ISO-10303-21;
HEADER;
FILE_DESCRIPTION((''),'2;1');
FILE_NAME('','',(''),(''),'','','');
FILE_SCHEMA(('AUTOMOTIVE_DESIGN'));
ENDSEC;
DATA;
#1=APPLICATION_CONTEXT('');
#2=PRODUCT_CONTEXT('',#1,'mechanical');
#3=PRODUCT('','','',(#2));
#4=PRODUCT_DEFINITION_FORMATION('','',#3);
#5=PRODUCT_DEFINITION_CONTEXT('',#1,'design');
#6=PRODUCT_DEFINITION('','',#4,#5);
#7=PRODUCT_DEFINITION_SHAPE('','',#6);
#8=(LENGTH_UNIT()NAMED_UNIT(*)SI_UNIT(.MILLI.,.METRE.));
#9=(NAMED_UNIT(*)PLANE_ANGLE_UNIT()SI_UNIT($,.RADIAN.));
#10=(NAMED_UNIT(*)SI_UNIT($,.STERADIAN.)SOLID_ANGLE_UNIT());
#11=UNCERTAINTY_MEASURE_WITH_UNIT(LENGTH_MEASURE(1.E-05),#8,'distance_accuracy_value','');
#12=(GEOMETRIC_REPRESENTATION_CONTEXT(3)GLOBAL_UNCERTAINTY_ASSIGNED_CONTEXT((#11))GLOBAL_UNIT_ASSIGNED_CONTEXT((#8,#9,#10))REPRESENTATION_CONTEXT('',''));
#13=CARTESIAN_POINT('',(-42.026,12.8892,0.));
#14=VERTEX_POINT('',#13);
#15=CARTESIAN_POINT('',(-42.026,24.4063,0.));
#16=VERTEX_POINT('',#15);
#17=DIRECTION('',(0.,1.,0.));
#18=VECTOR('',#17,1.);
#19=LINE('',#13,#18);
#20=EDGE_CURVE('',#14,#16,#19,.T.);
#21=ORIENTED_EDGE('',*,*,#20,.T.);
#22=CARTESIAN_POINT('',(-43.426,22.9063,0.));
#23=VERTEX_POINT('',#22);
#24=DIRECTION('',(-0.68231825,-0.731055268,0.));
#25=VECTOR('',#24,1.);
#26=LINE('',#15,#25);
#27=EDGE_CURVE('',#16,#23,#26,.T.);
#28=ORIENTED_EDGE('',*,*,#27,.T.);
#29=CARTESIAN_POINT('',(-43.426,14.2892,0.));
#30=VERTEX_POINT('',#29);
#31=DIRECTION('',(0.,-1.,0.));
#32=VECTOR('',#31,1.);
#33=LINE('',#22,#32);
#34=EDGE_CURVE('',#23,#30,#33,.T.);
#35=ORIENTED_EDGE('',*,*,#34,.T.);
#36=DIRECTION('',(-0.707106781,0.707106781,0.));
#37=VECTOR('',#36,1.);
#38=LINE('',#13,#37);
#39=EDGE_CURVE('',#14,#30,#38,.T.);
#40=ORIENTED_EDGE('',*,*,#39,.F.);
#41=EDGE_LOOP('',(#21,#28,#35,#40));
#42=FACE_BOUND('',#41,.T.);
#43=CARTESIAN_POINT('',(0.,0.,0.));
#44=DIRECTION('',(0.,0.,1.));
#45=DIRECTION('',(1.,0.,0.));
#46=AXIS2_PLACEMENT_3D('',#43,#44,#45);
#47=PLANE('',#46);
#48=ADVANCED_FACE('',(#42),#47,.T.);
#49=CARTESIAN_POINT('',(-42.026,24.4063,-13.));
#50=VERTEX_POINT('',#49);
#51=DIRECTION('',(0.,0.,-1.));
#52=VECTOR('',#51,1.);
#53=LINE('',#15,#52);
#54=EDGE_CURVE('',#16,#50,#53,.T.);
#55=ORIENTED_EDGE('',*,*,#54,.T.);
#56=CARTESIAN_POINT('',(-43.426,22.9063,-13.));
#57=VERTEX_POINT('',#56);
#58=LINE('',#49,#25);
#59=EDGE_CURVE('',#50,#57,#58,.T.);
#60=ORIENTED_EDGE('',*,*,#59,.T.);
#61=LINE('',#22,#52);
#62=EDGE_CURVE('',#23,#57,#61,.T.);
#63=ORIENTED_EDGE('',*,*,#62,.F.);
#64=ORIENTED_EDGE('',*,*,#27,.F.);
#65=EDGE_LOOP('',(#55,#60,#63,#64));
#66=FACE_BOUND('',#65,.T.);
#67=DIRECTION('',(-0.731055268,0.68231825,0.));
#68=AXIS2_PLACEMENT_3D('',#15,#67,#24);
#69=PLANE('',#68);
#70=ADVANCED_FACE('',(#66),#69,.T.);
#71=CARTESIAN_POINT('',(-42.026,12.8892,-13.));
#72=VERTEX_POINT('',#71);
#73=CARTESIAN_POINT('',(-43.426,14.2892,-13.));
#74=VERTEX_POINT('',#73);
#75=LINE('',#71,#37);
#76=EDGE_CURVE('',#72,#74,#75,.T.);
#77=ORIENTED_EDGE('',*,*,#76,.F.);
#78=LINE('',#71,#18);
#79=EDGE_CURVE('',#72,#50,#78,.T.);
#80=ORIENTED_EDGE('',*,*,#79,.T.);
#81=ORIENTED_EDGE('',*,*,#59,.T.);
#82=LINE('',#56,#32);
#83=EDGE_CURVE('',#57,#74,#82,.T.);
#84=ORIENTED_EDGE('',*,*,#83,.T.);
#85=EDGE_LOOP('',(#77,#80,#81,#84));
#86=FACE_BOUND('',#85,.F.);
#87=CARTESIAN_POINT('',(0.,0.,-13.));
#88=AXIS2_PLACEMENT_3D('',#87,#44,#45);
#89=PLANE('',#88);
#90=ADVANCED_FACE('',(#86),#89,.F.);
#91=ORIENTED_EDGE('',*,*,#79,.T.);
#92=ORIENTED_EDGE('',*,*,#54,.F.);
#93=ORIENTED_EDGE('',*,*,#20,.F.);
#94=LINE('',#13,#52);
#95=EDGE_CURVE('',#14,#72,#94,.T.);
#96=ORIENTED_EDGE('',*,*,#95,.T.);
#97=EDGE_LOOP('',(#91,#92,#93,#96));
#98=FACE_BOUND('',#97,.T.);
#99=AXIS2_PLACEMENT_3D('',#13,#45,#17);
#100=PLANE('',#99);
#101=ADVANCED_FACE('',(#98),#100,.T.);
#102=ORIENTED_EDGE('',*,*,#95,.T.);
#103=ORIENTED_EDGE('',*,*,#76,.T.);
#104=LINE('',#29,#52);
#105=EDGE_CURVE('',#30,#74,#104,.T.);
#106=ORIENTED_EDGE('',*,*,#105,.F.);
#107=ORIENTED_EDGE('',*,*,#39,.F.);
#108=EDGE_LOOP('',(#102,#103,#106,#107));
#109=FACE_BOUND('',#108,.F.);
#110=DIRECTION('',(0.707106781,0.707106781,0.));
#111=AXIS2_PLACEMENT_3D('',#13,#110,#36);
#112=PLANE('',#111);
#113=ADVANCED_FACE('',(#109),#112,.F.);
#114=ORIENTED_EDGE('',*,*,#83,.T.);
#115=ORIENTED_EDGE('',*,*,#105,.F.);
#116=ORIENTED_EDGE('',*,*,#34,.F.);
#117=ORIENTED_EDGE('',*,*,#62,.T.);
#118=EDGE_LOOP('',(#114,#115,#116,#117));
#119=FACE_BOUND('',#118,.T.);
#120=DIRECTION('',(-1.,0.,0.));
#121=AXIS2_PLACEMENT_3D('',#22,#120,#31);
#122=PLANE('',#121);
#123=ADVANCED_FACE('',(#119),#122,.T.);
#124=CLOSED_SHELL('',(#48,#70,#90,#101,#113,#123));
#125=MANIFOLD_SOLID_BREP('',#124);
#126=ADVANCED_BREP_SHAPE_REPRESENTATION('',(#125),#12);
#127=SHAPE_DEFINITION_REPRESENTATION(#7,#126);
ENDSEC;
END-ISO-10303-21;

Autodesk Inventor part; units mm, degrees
ref_plane "YZ Plane" through (0, 0, 0) normal (1, 0, 0) x (0, 1, 0)
ref_plane "XZ Plane" through (0, 0, 0) normal (0, 1, 0) x (-1, 0, 0)
ref_plane "XY Plane" through (0, 0, 0) normal (0, 0, 1) x (1, 0, 0)
ref_plane "Arbeitsebene1" through (0, 0, 0) normal (0, 0, 1) x (1, 0, 0)
sketch "Skizze1" plane through (0, 0, 0) normal (0, 0, 1) x (1, 0, 0)
  line L0 (-23.1578, -6.2841) -> (-24.6578, -4.7841) projected
  line L1 (-24.6578, -4.7841) -> (-12.6578, -4.7841) projected
  line L2 (-12.6578, -4.7841) -> (-14.1578, -6.2841) projected
  line L3 (-14.1578, -6.2841) -> (-23.1578, -6.2841) projected
  line L4 (-43.426, 23.1477) -> (-41.926, 24.6477) projected
  line L5 (-41.926, 24.6477) -> (-41.926, 12.6477) projected
  line L6 (-41.926, 12.6477) -> (-43.426, 14.1477) projected
  line L7 (-43.426, 14.1477) -> (-43.426, 1.4359) projected
  line L8 (-43.426, 1.4359) -> (-39.726, 1.4359) projected
  line L9 (-39.726, 1.4359) -> (-35.546, -2.7441) projected
  line L10 (-35.546, -2.7441) -> (-35.546, -6.4241) projected
  line L11 (-35.546, -6.4241) -> (-1.606, -6.4241) projected
  line L12 (-1.606, -6.4241) -> (-1.606, -2.7441) projected
  line L13 (-1.606, -2.7441) -> (2.574, 1.4359) projected
  line L14 (2.574, 1.4359) -> (6.414, 1.4359) projected
  line L15 (6.414, 1.4359) -> (6.414, 10.6477) projected
  line L16 (6.414, 10.6477) -> (10.414, 10.6477) projected
  line L17 (10.414, 26.6477) -> (10.414, 10.6477) projected
  line L18 (6.414, 26.6477) -> (10.414, 26.6477) projected
  line L19 (6.414, 26.6477) -> (6.414, 35.5359) projected
  line L20 (6.414, 35.5359) -> (2.574, 35.5359) projected
  line L21 (2.574, 35.5359) -> (-1.606, 39.7429) projected
  line L22 (-1.606, 39.7429) -> (-1.606, 43.5559) projected
  line L23 (-1.606, 43.5559) -> (-9.6578, 43.5559) projected
  line L24 (-9.6578, 43.5559) -> (-9.6578, 47.5559) projected
  line L25 (-27.6578, 47.5559) -> (-9.6578, 47.5559) projected
  line L26 (-27.6578, 43.5559) -> (-27.6578, 47.5559) projected
  line L27 (-27.6578, 43.5559) -> (-32.737, 43.5559) projected
  line L28 (-32.737, 43.5559) -> (-35.546, 43.5359) projected
  line L29 (-35.546, 43.5359) -> (-35.519, 39.7429) projected
  line L30 (-35.519, 39.7429) -> (-39.726, 35.5359) projected
  line L31 (-39.726, 35.5359) -> (-43.426, 35.5359) projected
  line L32 (-43.426, 35.5359) -> (-43.426, 23.1477) projected
  line L33 (-3.1655, 23.9804) -> (-4.415, 22.7309) projected
  line L34 (-4.415, 22.7309) -> (-4.415, 14.4009) projected
  line L35 (-4.415, 14.4009) -> (-3.1655, 13.1514) projected
  line L36 (-3.1655, 13.1514) -> (-3.1655, 9.27) projected
  line L37 (-3.1655, 9.27) -> (-8.0306, 4.4049) projected
  line L38 (-8.0306, 4.4049) -> (-27.8429, 4.4049) projected
  line L39 (-27.8429, 4.4049) -> (-33.1694, 9.7314) projected
  line L40 (-33.1694, 9.7314) -> (-33.1694, 13.1514) projected
  line L41 (-33.1694, 13.1514) -> (-31.9199, 14.4009) projected
  line L42 (-31.9199, 14.4009) -> (-31.9199, 22.7309) projected
  line L43 (-31.9199, 22.7309) -> (-33.1694, 23.9804) projected
  line L44 (-33.1694, 23.9804) -> (-33.1694, 26.7231) projected
  arc A0 (-31.9199, 26.7231) -> (-33.1694, 26.7231) centre (-32.5446, 26.7231) ccw projected
  line L45 (-31.9199, 26.7231) -> (-31.9199, 23.9804) projected
  line L46 (-31.9199, 23.9804) -> (-30.6704, 22.7309) projected
  line L47 (-30.6704, 22.7309) -> (-30.6704, 14.4009) projected
  line L48 (-30.6704, 14.4009) -> (-31.9199, 13.1514) projected
  line L49 (-31.9199, 13.1514) -> (-31.9199, 9.7314) projected
  line L50 (-31.9199, 9.7314) -> (-27.0099, 4.8214) projected
  line L51 (-27.0099, 4.8214) -> (-8.8636, 4.8214) projected
  line L52 (-8.8636, 4.8214) -> (-4.415, 9.27) projected
  line L53 (-4.415, 9.27) -> (-4.415, 13.1514) projected
  line L54 (-4.415, 13.1514) -> (-5.6645, 14.4009) projected
  line L55 (-5.6645, 14.4009) -> (-5.6645, 22.7309) projected
  line L56 (-5.6645, 22.7309) -> (-4.415, 23.9804) projected
  line L57 (-4.415, 23.9804) -> (-4.415, 27.27) projected
  arc A1 (-3.1655, 27.27) -> (-4.415, 27.27) centre (-3.7903, 27.27) ccw projected
  line L58 (-3.1655, 27.27) -> (-3.1655, 23.9804) projected
  line L59 (-1.083, 22.7309) -> (-2.3325, 23.9804) projected
  line L60 (-2.3325, 23.9804) -> (-2.3325, 27.7462) projected
  line L61 (-2.3325, 27.7462) -> (-6.8967, 32.3104) projected
  line L62 (-6.8967, 32.3104) -> (-29.2772, 32.3104) projected
  line L63 (-29.2772, 32.3104) -> (-34.0024, 27.5852) projected
  line L64 (-34.0024, 27.5852) -> (-34.0024, 23.9804) projected
  line L65 (-34.0024, 23.9804) -> (-35.2519, 22.7309) projected
  line L66 (-35.2519, 22.7309) -> (-35.2519, 14.4009) projected
  line L67 (-35.2519, 14.4009) -> (-34.0024, 13.1514) projected
  line L68 (-34.0024, 13.1514) -> (-34.0024, 9.1062) projected
  arc A2 (-35.2519, 9.1062) -> (-34.0024, 9.1062) centre (-34.6271, 9.1062) ccw projected
  line L69 (-35.2519, 9.1062) -> (-35.2519, 13.1514) projected
  line L70 (-35.2519, 13.1514) -> (-36.5014, 14.4009) projected
  line L71 (-36.5014, 14.4009) -> (-36.5014, 22.7309) projected
  line L72 (-36.5014, 22.7309) -> (-35.2519, 23.9804) projected
  line L73 (-35.2519, 23.9804) -> (-35.2519, 27.5118) projected
  line L74 (-35.2519, 27.5118) -> (-30.0368, 32.7269) projected
  line L75 (-30.0368, 32.7269) -> (-6.0637, 32.7269) projected
  line L76 (-6.0637, 32.7269) -> (-1.083, 27.7462) projected
  line L77 (-1.083, 27.7462) -> (-1.083, 23.9804) projected
  line L78 (-1.083, 23.9804) -> (0.1665, 22.7309) projected
  line L79 (0.1665, 22.7309) -> (0.1665, 14.4009) projected
  line L80 (0.1665, 14.4009) -> (-1.083, 13.1514) projected
  line L81 (-1.083, 13.1514) -> (-1.083, 9.9845) projected
  line L82 (-1.083, 9.9845) -> (-0.1206, 9.9845) projected
  arc A3 (0.6639, 9.2286) -> (-0.1206, 9.9845) centre (0.6639, 10.0136) ccw projected
  line L83 (0.6639, 9.2286) -> (-2.3325, 9.2286) projected
  line L84 (-2.3325, 9.2286) -> (-2.3325, 13.1514) projected
  line L85 (-2.3325, 13.1514) -> (-1.083, 14.4009) projected
  line L86 (-1.083, 14.4009) -> (-1.083, 22.7309) projected
  line L87 (-7.8034, -0.5931) -> (-11.8361, -0.5931) projected
  line L88 (-11.8361, -0.5931) -> (-13.0856, 0.6564) projected
  line L89 (-13.0856, 0.6564) -> (-23.0816, 0.6564) projected
  line L90 (-23.0816, 0.6564) -> (-24.3311, -0.5931) projected
  line L91 (-24.3311, -0.5931) -> (-29.5122, -0.5931) projected
  arc A4 (-29.5122, 0.6564) -> (-29.5122, -0.5931) centre (-29.5122, 0.0317) ccw projected
  line L92 (-29.5122, 0.6564) -> (-24.3311, 0.6564) projected
  line L93 (-24.3311, 0.6564) -> (-23.0816, 1.9059) projected
  line L94 (-23.0816, 1.9059) -> (-13.0856, 1.9059) projected
  line L95 (-13.0856, 1.9059) -> (-11.8361, 0.6564) projected
  line L96 (-11.8361, 0.6564) -> (-7.8034, 0.6564) projected
  line L97 (-7.8034, 0.6564) -> (-0.25, 8.2098) projected
  line L98 (-0.25, 8.2098) -> (3.4985, 8.2098) projected
  line L99 (3.4985, 8.2098) -> (3.4985, 28.6211) projected
  line L100 (3.4985, 28.6211) -> (0.051, 28.6211) projected
  line L101 (0.051, 28.6211) -> (-7.8034, 36.4754) projected
  line L102 (-7.8034, 36.4754) -> (-11.8361, 36.4754) projected
  line L103 (-11.8361, 36.4754) -> (-13.0856, 35.2259) projected
  line L104 (-13.0856, 35.2259) -> (-23.0816, 35.2259) projected
  line L105 (-23.0816, 35.2259) -> (-24.3311, 36.4754) projected
  line L106 (-24.3311, 36.4754) -> (-27.1009, 36.4754) projected
  arc A5 (-28.3504, 37.7249) -> (-27.1009, 36.4754) centre (-28.3504, 36.4754) ccw projected
  line L107 (-28.3504, 37.7249) -> (-24.3311, 37.7249) projected
  line L108 (-24.3311, 37.7249) -> (-23.0816, 36.4754) projected
  line L109 (-23.0816, 36.4754) -> (-13.0856, 36.4754) projected
  line L110 (-13.0856, 36.4754) -> (-11.8361, 37.7249) projected
  line L111 (-11.8361, 37.7249) -> (-7.8034, 37.7249) projected
  line L112 (-7.8034, 37.7249) -> (0.051, 29.8706) projected
  line L113 (0.051, 29.8706) -> (3.915, 29.8706) projected
  line L114 (3.915, 29.8706) -> (3.915, 6.9603) projected
  line L115 (3.915, 6.9603) -> (-0.25, 6.9603) projected
  line L116 (-0.25, 6.9603) -> (-7.8034, -0.5931) projected
  arc A6 (-31.6721, -1.088) -> (-30.301, -2.6756) centre (-30.301, -1.2897) ccw projected
  line L117 (-31.6721, -1.088) -> (-31.6721, 1.5931) projected
  line L118 (-31.6721, 1.5931) -> (-37.9016, 7.8227) projected
  line L119 (-37.9016, 7.8227) -> (-37.9016, 29.3992) projected
  line L120 (-37.9016, 29.3992) -> (-31.6721, 35.6287) projected
  line L121 (-31.6721, 35.6287) -> (-31.6721, 36.973) projected
  arc A7 (-29.7485, 39.8074) -> (-31.6721, 36.973) centre (-28.6221, 36.973) ccw projected
  line L122 (-29.7485, 39.8074) -> (-24.3311, 39.8074) projected
  line L123 (-24.3311, 39.8074) -> (-23.0816, 41.0569) projected
  line L124 (-23.0816, 41.0569) -> (-13.0856, 41.0569) projected
  line L125 (-13.0856, 41.0569) -> (-11.8361, 39.8074) projected
  line L126 (-11.8361, 39.8074) -> (-6.9454, 39.8074) projected
  arc A8 (-6.9454, 38.5579) -> (-6.9454, 39.8074) centre (-6.9454, 39.1827) ccw projected
  line L127 (-6.9454, 38.5579) -> (-11.8361, 38.5579) projected
  line L128 (-11.8361, 38.5579) -> (-13.0856, 39.8074) projected
  line L129 (-13.0856, 39.8074) -> (-23.0816, 39.8074) projected
  line L130 (-23.0816, 39.8074) -> (-24.3311, 38.5579) projected
  line L131 (-24.3311, 38.5579) -> (-28.5767, 38.5579) projected
  arc A9 (-28.5767, 38.5579) -> (-31.2556, 36.5303) centre (-28.5767, 35.7744) ccw projected
  line L132 (-31.2556, 36.5303) -> (-31.2556, 34.3792) projected
  line L133 (-31.2556, 34.3792) -> (-37.4851, 28.1497) projected
  line L134 (-37.4851, 28.1497) -> (-37.4851, 9.0722) projected
  line L135 (-37.4851, 9.0722) -> (-31.2556, 2.8426) projected
  line L136 (-31.2556, 2.8426) -> (-31.2556, -0.2985) projected
  arc A10 (-31.2556, -0.2985) -> (-30.128, -1.4261) centre (-30.128, -0.2985) ccw projected
  line L137 (-30.128, -1.4261) -> (-24.3311, -1.4261) projected
  line L138 (-24.3311, -1.4261) -> (-23.0816, -2.6756) projected
  line L139 (-23.0816, -2.6756) -> (-13.0856, -2.6756) projected
  line L140 (-13.0856, -2.6756) -> (-11.8361, -1.4261) projected
  line L141 (-11.8361, -1.4261) -> (-8.1549, -1.4261) projected
  arc A11 (-9.4975, -2.7687) -> (-8.1549, -1.4261) centre (-8.1549, -2.7687) ccw projected
  line L142 (-9.4975, -2.7687) -> (-9.4975, -2.6756) projected
  line L143 (-9.4975, -2.6756) -> (-11.8361, -2.6756) projected
  line L144 (-11.8361, -2.6756) -> (-13.0856, -3.9251) projected
  line L145 (-13.0856, -3.9251) -> (-23.0816, -3.9251) projected
  line L146 (-23.0816, -3.9251) -> (-24.3311, -2.6756) projected
  line L147 (-24.3311, -2.6756) -> (-30.301, -2.6756) projected
  spline S0 degree 3 poles (-22.5816, 9.4578) (-23.782, 9.9576) (-24.8728, 10.6879) (-26.7215, 12.5314) (-27.459, 13.6295) (-28.4771, 16.0552) (-28.7445, 17.3609) (-28.7639, 19.7945) (-28.5901, 20.9017) (-27.8908, 23.023) (-27.368, 24.0222) (-26.6946, 24.9175) knots 0 0 0 0 0.390087 0.390087 0.7831 0.7831 1.17904 1.17904 1.512851 1.512851 1.848728 1.848728 1.848728 1.848728 projected
  arc A12 (-14.4263, 28.0017) -> (-26.6946, 24.9175) centre (-18.576, 18.5659) ccw projected
  spline S1 degree 3 poles (-14.4263, 28.0017) (-13.2128, 27.4401) (-12.1202, 26.6478) (-10.3081, 24.6948) (-9.6034, 23.5555) (-8.6755, 21.0795) (-8.4577, 19.7679) (-8.5322, 17.3567) (-8.7442, 16.2748) (-9.5078, 14.2292) (-10.0521, 13.2785) (-10.7394, 12.4349) knots 0 0 0 0 0.401148 0.401148 0.799369 0.799369 1.194661 1.194661 1.523406 1.523406 1.850084 1.850084 1.850084 1.850084 projected
  arc A13 (-22.5816, 9.4578) -> (-10.7394, 12.4349) centre (-18.576, 18.5659) ccw projected
  circle A14 centre (-8.9594, 8.9493) radius 0.9 projected
  circle A15 centre (-28.1927, 28.1826) radius 0.9 projected
  circle A16 centre (7.1645, 15.1129) radius 1.45 projected
  circle A17 centre (-22.1312, 44.3064) radius 1.45 projected
  circle A18 centre (-14.8592, 44.3064) radius 1.45 projected
  circle A19 centre (7.1645, 22.3009) radius 1.45 projected
  circle A20 centre (-28.1927, 8.9493) radius 0.9 projected
  circle A21 centre (-8.9594, 28.1826) radius 0.9 projected
  line L148 (-42.026, 12.8892) -> (-42.026, 24.4063) construction
  line L149 (-42.026, 24.4063) -> (-43.526, 22.9063) construction
  line L150 (-43.526, 22.9063) -> (-43.526, 35.6359) construction
  line L151 (-43.526, 35.6359) -> (-39.7675, 35.6359) construction
  line L152 (-39.7675, 35.6359) -> (-35.6193, 39.784) construction
  line L153 (-35.6193, 39.784) -> (-35.6467, 43.6352) construction
  line L154 (-35.6467, 43.6352) -> (-32.7374, 43.6559) construction
  line L155 (-32.7374, 43.6559) -> (-27.7578, 43.6559) construction
  line L156 (-27.7578, 43.6559) -> (-27.7578, 47.6559) construction
  line L157 (-27.7578, 47.6559) -> (-9.5578, 47.6559) construction
  line L158 (-9.5578, 47.6559) -> (-9.5578, 43.6559) construction
  line L159 (-9.5578, 43.6559) -> (-1.506, 43.6559) construction
  line L160 (-1.506, 43.6559) -> (-1.506, 39.7842) construction
  line L161 (-1.506, 39.7842) -> (2.6156, 35.6359) construction
  line L162 (2.6156, 35.6359) -> (6.514, 35.6359) construction
  line L163 (6.514, 35.6359) -> (6.514, 26.7477) construction
  line L164 (6.514, 26.7477) -> (10.514, 26.7477) construction
  line L165 (10.514, 26.7477) -> (10.514, 10.5477) construction
  line L166 (10.514, 10.5477) -> (6.514, 10.5477) construction
  line L167 (6.514, 10.5477) -> (6.514, 1.3359) construction
  line L168 (6.514, 1.3359) -> (2.6154, 1.3359) construction
  line L169 (2.6154, 1.3359) -> (-1.506, -2.7855) construction
  line L170 (-1.506, -2.7855) -> (-1.506, -6.5241) construction
  line L171 (-1.506, -6.5241) -> (-35.646, -6.5241) construction
  line L172 (-35.646, -6.5241) -> (-35.646, -2.7855) construction
  line L173 (-35.646, -2.7855) -> (-39.7675, 1.3359) construction
  line L174 (-39.7675, 1.3359) -> (-43.526, 1.3359) construction
  line L175 (-43.526, 1.3359) -> (-43.526, 14.3892) construction
  line L176 (-43.526, 14.3892) -> (-42.026, 12.8892) construction
  line L177 (-42.026, 12.8892) -> (-43.426, 14.2892)
  line L178 (-42.026, 12.8892) -> (-42.026, 24.4063)
  line L179 (-42.026, 24.4063) -> (-43.426, 22.9063)
  line L180 (-43.426, 22.9063) -> (-43.426, 14.2892)
  point P0 (0, 0)
  dimension "d0" = 0.1
extrude "Extrusion1" add sketch "Skizze1" against normal blind 13 contours L177 L180 L179 L178
properties part number "20_Cube_Inser_Flexuremanipulator_springlock_v3"
